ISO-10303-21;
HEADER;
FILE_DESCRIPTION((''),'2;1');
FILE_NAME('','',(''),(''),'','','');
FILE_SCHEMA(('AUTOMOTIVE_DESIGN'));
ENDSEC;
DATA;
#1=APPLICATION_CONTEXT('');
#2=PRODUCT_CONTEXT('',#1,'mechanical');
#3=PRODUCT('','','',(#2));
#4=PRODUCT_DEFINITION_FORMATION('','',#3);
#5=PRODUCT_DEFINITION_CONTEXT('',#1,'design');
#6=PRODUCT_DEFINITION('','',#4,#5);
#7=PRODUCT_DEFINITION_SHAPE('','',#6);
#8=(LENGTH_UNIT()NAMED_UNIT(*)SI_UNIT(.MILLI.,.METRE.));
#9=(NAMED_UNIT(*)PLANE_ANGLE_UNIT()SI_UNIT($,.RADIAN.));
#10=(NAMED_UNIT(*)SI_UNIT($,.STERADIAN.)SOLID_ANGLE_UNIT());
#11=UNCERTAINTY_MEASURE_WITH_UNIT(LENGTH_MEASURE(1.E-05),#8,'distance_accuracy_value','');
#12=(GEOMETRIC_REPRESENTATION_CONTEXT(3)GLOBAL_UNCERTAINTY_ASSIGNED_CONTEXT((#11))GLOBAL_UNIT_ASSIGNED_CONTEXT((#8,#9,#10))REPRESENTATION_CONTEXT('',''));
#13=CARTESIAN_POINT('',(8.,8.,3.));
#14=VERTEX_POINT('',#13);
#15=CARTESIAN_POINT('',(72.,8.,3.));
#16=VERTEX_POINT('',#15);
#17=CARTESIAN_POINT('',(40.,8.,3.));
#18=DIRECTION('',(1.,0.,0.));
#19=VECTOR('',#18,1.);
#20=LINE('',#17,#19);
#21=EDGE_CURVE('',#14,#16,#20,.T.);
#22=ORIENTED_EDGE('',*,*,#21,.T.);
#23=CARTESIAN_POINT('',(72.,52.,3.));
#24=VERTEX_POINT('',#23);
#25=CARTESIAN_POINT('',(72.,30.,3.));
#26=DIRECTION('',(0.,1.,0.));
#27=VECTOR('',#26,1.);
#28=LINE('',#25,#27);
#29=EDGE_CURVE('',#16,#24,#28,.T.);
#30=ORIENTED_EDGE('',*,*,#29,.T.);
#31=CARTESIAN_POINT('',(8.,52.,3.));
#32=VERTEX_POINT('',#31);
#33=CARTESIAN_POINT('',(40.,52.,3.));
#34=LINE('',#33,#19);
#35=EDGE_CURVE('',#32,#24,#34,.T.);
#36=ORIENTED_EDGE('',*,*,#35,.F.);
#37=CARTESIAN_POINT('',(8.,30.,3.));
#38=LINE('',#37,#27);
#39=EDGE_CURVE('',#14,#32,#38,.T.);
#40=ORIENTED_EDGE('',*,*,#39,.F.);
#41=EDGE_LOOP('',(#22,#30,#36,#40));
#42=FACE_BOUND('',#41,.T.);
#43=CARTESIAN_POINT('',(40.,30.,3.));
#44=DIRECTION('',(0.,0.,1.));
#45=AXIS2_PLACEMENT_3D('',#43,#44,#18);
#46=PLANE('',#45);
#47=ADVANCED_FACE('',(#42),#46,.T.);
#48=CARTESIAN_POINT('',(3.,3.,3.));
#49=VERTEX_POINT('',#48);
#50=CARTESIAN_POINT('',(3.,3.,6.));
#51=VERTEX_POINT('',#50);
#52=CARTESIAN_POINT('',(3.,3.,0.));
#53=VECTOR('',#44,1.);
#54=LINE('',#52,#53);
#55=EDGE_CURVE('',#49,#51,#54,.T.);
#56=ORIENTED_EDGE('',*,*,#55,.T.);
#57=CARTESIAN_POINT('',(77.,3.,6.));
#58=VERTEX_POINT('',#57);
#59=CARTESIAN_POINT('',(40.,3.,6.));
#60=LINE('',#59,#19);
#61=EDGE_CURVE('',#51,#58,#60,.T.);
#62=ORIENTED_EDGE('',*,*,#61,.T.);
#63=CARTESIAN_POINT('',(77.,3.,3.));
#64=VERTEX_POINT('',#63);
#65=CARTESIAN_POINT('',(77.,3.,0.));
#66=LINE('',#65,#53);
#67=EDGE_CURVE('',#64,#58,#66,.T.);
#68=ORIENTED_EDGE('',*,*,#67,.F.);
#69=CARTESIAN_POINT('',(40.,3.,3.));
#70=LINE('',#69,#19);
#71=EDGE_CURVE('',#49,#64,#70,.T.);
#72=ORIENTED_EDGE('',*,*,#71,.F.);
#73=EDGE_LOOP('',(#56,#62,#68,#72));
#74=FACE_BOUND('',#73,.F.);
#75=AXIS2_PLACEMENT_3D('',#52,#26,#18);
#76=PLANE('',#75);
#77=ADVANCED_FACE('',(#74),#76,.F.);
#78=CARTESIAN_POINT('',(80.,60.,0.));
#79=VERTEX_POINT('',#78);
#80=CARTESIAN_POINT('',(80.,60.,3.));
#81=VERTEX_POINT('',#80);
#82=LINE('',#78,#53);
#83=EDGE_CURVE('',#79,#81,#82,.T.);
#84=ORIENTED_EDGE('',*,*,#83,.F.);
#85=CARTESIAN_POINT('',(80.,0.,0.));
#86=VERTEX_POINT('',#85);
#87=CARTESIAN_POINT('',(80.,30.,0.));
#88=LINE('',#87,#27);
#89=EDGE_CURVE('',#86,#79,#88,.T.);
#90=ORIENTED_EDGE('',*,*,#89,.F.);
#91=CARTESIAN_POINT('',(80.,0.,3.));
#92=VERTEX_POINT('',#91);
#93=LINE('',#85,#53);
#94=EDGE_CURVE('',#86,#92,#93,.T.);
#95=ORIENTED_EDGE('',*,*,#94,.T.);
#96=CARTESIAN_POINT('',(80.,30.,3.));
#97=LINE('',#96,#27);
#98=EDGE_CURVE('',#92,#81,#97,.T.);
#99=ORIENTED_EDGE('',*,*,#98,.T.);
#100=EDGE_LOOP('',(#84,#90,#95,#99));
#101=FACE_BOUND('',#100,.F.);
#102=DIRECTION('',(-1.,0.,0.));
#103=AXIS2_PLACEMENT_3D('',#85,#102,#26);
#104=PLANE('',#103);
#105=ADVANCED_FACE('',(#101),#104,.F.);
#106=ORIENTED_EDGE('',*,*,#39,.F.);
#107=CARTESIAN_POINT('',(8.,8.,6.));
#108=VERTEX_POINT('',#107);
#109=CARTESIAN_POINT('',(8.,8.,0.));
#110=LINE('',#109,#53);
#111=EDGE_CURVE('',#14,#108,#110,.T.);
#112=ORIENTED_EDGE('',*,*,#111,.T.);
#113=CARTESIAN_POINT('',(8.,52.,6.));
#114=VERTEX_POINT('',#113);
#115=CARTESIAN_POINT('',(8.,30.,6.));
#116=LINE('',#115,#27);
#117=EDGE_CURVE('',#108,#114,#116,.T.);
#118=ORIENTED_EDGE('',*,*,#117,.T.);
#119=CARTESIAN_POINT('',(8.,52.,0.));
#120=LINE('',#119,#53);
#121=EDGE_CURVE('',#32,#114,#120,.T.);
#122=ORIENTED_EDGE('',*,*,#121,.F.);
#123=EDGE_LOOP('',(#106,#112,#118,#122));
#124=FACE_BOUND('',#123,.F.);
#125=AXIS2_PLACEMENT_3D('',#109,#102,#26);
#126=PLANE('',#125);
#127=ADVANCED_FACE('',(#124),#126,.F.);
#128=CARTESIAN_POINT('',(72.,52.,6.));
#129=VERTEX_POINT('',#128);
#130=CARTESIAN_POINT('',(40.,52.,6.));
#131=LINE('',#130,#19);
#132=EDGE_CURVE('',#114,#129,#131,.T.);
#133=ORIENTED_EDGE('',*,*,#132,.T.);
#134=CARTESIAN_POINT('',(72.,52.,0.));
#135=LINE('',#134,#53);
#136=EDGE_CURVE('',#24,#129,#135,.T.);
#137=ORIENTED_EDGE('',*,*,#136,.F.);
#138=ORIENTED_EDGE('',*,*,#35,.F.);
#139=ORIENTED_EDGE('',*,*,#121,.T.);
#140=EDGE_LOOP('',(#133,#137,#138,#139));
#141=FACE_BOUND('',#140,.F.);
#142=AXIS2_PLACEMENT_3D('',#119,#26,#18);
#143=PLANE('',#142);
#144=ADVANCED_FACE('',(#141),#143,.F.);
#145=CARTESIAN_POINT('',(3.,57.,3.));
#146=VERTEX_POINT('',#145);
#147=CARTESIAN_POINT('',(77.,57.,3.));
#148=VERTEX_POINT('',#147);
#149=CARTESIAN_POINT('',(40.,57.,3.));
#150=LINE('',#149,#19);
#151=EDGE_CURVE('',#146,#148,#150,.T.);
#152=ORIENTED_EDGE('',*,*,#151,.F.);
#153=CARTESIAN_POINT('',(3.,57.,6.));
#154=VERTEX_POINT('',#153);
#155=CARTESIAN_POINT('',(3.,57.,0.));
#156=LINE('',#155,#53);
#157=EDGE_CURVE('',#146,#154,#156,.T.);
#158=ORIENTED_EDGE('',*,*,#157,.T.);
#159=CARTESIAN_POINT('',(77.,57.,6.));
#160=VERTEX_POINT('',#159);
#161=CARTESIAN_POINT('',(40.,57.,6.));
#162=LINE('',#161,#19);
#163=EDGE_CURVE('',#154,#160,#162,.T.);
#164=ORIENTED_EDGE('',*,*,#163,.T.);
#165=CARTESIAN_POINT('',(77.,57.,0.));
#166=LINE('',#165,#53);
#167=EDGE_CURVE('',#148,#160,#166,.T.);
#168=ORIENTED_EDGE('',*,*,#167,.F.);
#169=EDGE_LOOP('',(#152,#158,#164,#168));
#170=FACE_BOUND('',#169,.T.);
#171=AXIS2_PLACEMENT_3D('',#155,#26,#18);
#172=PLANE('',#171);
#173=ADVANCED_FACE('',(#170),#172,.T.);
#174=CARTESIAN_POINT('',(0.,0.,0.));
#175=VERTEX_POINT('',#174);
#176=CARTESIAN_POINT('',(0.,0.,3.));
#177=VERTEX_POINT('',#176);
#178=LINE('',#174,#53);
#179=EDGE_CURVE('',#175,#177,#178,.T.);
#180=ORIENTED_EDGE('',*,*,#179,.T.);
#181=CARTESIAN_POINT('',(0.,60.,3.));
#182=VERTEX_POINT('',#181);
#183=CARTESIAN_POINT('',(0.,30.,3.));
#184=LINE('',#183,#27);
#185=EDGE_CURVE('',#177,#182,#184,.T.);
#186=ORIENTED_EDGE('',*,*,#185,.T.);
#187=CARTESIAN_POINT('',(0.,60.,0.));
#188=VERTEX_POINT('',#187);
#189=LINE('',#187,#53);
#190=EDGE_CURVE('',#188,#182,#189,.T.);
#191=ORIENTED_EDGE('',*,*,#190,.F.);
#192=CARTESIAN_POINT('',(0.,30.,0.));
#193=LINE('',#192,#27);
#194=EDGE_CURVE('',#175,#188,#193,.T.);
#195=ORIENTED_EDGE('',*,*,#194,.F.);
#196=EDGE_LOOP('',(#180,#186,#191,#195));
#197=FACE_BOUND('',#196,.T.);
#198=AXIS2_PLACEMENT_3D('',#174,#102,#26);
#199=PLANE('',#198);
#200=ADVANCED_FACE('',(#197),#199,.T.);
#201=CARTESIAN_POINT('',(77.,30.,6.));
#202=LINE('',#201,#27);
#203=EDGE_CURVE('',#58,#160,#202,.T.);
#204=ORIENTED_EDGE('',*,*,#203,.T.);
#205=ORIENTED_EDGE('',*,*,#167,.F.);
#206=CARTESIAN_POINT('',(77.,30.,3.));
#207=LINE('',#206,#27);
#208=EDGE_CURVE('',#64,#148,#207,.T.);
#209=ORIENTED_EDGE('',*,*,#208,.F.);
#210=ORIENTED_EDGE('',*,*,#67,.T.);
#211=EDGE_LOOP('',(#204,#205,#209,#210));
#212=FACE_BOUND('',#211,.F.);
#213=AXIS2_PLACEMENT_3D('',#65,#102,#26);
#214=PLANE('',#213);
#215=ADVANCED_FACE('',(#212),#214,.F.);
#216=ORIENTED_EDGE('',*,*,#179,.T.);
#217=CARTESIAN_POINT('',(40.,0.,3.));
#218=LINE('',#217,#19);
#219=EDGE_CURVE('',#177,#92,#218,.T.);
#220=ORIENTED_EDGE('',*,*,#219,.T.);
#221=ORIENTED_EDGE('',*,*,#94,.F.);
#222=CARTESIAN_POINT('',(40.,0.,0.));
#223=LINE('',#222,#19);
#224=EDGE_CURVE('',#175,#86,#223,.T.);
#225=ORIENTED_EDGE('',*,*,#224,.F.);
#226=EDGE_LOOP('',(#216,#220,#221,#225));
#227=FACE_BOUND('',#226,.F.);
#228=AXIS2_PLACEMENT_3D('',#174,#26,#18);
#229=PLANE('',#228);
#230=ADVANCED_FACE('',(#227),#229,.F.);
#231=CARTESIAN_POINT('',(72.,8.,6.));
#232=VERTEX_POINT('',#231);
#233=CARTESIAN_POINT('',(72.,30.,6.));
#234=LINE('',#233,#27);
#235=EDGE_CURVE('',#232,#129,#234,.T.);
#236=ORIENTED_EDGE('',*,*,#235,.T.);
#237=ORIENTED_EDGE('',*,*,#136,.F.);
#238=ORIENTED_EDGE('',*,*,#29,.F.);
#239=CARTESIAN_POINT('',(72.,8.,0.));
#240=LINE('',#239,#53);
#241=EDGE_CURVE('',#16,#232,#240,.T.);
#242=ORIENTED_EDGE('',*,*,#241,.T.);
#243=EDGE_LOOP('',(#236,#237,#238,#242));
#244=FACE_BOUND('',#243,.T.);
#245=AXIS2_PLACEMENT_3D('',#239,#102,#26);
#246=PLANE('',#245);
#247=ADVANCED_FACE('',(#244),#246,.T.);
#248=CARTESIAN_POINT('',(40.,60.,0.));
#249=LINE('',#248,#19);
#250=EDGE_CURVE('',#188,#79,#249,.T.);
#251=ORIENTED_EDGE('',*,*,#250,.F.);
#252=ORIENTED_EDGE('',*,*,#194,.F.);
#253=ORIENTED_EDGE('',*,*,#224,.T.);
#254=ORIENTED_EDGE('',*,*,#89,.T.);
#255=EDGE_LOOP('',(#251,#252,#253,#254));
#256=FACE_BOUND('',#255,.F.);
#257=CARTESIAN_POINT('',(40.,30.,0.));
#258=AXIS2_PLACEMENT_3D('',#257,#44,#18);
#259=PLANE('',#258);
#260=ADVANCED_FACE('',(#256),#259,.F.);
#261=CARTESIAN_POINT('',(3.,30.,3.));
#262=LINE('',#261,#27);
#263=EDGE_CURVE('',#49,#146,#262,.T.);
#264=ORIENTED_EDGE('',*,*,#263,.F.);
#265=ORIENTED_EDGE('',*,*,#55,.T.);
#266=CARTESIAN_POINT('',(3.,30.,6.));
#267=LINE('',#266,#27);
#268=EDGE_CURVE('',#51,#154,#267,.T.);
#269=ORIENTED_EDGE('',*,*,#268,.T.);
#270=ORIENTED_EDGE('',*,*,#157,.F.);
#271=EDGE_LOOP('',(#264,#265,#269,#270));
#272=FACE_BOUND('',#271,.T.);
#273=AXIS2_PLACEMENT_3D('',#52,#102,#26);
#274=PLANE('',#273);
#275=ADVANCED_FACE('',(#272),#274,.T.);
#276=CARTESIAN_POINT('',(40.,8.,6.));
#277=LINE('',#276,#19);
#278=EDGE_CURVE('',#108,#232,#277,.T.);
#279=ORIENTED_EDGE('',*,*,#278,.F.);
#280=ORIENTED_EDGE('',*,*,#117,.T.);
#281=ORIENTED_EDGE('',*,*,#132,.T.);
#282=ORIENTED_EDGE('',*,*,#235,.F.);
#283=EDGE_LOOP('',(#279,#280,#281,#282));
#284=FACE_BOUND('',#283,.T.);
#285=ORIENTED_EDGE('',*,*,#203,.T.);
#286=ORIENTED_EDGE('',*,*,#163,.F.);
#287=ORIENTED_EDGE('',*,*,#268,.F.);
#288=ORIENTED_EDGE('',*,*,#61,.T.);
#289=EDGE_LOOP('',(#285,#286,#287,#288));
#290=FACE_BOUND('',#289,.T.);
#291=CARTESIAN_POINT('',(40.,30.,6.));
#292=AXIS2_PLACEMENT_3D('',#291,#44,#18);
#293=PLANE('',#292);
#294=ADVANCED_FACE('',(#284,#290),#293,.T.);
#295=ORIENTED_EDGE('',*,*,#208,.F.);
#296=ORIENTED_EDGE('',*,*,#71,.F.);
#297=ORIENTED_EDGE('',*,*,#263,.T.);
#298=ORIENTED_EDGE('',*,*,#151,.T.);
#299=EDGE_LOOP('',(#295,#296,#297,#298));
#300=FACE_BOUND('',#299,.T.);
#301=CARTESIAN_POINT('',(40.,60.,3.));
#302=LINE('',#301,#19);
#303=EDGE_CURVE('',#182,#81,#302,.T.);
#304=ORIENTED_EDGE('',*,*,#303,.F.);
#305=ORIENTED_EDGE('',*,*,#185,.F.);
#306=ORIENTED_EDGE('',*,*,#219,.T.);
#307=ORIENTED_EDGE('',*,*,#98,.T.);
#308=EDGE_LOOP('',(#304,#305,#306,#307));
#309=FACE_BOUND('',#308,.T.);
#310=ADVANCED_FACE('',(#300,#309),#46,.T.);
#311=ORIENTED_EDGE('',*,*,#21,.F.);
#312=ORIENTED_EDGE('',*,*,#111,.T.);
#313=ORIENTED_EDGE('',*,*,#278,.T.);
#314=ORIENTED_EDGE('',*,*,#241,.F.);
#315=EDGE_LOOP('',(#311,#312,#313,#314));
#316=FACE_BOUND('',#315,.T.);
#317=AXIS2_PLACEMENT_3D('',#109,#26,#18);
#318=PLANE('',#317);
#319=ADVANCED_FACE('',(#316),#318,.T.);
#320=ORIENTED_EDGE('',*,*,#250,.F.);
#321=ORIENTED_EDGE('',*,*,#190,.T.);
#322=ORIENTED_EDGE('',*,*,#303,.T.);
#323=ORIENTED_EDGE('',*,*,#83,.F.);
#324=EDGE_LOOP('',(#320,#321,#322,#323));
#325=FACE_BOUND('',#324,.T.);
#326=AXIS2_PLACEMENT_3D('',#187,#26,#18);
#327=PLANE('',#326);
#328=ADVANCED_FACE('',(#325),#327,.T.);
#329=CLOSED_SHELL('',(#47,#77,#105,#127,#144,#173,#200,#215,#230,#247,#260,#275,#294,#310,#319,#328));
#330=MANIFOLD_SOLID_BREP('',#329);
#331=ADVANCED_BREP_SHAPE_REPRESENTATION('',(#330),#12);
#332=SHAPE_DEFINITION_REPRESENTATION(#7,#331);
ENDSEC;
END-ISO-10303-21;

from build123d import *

# Parameters (mm, degrees)
F0_W     = 64
F0_H     = 44
F1_DEPTH = 3
F0_W_2   = 80
F0_H_2   = 60
F0_W_3   = 74
F0_H_3   = 54
F2_DEPTH = 6


with BuildPart() as f1:
    # F0 (on Top) → F1 (new body)
    with BuildSketch(Plane.XY):
        with Locations((40, 30)):
            Rectangle(F0_W, F0_H)
    extrude(amount=F1_DEPTH)



with BuildPart() as f1b:
    # F0 (on Top) → F1, piece 2 (new body)
    with BuildSketch(Plane.XY):
        with Locations((40, 30)):
            Rectangle(F0_W_2, F0_H_2)
        with Locations((40, 30)):
            Rectangle(F0_W_3, F0_H_3, mode=Mode.SUBTRACT)
    extrude(amount=F1_DEPTH)


with BuildPart() as f1_1:
    add(f1.part)

    add(f1b.part)  # F2 merges F1b
    # F0 (on Top) → F2 (join)
    with BuildSketch(Plane.XY):
        with Locations((40, 30)):
            Rectangle(F0_W_3, F0_H_3)
        with Locations((40, 30)):
            Rectangle(F0_W, F0_H, mode=Mode.SUBTRACT)
    extrude(amount=F2_DEPTH)


solid = f1_1.part
